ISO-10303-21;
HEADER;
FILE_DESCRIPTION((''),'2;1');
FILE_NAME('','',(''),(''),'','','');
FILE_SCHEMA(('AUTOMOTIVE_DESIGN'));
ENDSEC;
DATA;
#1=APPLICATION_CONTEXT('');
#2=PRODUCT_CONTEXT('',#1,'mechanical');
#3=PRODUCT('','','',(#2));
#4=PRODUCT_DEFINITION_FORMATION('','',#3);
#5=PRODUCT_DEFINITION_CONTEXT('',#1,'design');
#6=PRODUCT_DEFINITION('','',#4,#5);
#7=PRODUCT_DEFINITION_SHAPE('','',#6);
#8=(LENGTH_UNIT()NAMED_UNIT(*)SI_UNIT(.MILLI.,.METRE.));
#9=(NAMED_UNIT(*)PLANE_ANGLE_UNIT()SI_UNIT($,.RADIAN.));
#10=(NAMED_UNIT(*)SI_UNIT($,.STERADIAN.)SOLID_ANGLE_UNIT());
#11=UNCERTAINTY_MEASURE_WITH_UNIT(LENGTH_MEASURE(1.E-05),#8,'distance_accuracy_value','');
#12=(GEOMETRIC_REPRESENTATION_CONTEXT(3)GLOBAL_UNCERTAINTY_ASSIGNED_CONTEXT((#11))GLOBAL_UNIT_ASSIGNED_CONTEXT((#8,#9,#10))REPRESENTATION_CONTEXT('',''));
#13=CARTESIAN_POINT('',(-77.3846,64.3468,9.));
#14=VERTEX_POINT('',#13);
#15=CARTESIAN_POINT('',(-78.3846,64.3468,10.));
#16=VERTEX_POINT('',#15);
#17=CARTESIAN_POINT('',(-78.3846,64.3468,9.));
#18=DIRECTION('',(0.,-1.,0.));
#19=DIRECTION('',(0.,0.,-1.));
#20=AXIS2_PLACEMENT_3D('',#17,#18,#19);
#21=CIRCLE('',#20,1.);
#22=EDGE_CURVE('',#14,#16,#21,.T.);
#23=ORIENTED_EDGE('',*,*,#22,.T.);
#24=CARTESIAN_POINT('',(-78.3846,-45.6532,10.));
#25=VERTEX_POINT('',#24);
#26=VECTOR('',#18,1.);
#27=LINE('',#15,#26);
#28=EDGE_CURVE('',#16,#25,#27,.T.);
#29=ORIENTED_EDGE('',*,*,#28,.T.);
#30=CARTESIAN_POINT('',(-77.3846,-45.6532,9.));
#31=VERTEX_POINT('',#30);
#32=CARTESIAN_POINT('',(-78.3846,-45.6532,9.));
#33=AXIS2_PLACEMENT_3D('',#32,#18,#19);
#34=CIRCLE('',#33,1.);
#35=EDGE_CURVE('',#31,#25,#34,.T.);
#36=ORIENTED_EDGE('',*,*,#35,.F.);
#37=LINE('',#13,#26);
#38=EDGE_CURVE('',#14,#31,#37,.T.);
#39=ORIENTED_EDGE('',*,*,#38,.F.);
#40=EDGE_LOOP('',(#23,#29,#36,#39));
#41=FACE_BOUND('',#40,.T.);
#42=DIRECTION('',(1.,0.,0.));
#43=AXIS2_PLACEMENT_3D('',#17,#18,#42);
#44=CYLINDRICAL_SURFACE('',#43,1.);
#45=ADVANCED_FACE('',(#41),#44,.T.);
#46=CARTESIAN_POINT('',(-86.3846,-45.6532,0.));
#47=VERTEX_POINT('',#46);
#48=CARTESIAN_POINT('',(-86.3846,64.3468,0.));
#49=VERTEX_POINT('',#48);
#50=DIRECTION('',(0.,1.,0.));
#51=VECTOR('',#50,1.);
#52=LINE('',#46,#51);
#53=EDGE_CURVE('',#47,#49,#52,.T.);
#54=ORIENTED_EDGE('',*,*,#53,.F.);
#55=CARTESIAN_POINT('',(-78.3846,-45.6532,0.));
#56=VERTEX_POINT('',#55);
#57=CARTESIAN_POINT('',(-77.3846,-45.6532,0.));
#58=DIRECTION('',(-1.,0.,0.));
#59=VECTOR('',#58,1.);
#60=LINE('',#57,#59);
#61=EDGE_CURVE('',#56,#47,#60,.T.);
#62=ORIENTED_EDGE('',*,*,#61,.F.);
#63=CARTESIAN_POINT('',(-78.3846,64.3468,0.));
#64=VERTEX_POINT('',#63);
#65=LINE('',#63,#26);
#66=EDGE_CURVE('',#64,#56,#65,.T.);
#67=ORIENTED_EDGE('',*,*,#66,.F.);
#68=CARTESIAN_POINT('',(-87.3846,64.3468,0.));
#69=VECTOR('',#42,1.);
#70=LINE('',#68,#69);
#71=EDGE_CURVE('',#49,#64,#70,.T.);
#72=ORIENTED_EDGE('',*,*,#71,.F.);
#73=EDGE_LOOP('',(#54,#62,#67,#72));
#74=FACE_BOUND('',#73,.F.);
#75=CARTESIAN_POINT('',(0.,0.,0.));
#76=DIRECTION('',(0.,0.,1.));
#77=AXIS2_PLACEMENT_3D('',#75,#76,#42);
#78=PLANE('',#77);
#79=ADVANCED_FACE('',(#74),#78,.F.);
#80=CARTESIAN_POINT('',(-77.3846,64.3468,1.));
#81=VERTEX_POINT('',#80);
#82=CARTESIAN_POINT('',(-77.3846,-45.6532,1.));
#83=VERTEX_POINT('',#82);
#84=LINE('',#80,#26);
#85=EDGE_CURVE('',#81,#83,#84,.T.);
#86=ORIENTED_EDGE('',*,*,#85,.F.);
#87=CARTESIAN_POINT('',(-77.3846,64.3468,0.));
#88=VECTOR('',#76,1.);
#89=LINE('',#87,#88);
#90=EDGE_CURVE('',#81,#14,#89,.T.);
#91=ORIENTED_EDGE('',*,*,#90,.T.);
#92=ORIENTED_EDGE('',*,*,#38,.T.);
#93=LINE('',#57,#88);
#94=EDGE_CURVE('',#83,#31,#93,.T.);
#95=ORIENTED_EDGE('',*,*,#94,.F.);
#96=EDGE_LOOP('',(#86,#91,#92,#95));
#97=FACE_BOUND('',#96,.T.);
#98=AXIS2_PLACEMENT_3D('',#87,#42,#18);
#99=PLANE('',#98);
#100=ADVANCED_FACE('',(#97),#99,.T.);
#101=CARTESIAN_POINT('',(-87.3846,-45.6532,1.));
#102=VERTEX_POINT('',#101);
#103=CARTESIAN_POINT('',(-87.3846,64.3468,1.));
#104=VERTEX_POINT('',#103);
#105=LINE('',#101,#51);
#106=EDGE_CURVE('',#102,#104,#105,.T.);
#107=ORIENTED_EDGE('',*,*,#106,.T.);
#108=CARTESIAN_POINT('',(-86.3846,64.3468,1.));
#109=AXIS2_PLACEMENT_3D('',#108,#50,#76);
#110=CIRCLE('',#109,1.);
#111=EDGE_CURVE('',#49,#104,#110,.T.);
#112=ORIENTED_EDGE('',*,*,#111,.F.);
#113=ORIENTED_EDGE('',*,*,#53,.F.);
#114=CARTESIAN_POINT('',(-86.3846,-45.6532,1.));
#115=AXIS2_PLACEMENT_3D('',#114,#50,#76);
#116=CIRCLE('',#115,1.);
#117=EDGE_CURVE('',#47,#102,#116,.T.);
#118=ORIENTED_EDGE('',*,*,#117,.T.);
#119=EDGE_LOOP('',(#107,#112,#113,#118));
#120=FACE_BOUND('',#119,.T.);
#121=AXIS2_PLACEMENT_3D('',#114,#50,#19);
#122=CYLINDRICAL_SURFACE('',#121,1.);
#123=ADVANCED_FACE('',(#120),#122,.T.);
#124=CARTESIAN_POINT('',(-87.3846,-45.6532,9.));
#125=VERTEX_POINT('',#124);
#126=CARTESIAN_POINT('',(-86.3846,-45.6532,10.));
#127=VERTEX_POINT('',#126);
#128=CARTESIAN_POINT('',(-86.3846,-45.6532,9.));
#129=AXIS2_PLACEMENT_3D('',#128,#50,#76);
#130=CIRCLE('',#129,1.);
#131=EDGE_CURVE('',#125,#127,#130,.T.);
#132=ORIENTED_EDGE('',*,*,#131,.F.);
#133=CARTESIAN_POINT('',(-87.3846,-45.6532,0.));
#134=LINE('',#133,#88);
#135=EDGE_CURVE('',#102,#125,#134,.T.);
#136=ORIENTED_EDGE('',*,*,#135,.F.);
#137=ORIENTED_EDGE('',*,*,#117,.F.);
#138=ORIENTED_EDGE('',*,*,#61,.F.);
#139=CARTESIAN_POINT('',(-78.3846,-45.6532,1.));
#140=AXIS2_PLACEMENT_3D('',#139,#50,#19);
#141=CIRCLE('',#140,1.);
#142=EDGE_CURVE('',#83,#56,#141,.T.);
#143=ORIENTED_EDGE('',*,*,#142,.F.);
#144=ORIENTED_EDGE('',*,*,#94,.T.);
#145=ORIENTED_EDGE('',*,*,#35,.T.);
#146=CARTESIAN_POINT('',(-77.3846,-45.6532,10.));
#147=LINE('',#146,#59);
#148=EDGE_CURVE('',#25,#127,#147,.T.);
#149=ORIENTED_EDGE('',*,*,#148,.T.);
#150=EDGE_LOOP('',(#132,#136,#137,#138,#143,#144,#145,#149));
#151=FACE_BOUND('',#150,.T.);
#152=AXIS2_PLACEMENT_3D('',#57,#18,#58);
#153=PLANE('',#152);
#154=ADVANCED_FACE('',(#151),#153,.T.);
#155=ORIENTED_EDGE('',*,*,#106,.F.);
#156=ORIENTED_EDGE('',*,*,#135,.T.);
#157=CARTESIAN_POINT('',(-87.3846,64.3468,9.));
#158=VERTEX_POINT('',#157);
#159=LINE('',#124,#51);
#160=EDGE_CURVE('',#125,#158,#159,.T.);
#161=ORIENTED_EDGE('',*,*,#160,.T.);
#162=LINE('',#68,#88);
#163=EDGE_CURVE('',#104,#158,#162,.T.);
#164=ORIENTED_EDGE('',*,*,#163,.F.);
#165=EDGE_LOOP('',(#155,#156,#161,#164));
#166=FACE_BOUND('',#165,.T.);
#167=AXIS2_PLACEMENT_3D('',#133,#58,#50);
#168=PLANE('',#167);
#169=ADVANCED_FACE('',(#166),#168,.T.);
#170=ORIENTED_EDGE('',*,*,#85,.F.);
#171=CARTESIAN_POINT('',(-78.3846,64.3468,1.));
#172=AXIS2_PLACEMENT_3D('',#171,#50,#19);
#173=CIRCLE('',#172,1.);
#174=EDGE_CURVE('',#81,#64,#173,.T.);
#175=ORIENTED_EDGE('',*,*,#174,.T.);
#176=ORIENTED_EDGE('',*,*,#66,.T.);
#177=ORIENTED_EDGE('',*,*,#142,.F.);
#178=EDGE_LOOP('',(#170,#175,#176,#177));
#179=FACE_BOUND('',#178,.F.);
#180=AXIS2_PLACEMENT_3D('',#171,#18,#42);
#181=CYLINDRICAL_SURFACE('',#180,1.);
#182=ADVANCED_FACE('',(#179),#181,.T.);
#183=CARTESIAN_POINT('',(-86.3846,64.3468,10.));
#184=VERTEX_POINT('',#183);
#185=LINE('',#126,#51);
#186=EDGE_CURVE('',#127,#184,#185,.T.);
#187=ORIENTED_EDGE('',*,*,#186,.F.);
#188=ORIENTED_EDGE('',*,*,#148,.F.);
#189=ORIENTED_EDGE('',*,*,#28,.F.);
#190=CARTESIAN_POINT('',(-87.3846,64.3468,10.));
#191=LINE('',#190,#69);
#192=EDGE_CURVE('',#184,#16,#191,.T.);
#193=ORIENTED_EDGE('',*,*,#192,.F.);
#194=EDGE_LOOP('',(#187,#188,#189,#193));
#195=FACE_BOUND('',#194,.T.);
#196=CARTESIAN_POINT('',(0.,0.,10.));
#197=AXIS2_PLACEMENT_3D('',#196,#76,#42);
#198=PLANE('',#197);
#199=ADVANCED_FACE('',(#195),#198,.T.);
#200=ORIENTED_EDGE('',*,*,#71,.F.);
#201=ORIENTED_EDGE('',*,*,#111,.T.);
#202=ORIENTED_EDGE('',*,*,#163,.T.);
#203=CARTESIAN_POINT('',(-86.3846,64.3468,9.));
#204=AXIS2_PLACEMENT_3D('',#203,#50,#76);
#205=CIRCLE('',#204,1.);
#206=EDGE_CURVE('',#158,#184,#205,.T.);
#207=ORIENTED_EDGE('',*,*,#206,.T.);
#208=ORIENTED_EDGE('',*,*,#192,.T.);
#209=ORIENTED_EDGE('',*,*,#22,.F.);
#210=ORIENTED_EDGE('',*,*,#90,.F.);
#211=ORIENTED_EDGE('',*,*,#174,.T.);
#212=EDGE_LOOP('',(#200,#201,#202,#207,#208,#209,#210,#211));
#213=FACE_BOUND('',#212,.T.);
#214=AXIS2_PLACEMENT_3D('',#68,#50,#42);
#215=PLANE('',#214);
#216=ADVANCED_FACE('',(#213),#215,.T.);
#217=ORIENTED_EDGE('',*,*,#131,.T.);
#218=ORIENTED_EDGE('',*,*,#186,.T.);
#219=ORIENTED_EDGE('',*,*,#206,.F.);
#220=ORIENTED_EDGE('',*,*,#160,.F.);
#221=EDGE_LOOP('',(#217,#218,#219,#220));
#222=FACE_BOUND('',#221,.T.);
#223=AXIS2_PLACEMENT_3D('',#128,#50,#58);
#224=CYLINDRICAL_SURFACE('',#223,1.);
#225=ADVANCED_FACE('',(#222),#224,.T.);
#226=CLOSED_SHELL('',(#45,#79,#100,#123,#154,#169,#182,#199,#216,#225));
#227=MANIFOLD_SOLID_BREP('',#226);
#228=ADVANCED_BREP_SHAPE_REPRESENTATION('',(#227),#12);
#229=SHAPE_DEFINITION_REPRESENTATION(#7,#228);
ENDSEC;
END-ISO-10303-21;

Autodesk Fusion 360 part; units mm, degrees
sketch "Sketch1" plane through (0, 0, 0) normal (0, 0, 1) x (1, 0, 0)
  line L0 (-67.3846, 64.3468) -> (-57.8846, 64.3468)
  line L1 (-57.8846, 64.3468) -> (-57.8846, -45.6532)
  line L2 (-57.8846, -45.6532) -> (-67.3846, -45.6532)
  line L3 (-67.3846, -45.6532) -> (-67.3846, 64.3468)
  line L4 (-38.3846, -45.6532) -> (-47.8846, -45.6532)
  line L5 (-38.3846, 64.3468) -> (-38.3846, -45.6532)
  line L6 (-47.8846, -45.6532) -> (-47.8846, 64.3468)
  line L7 (-47.8846, 64.3468) -> (-38.3846, 64.3468)
  line L8 (-18.8846, -45.6532) -> (-28.3846, -45.6532)
  line L9 (-18.8846, 64.3468) -> (-18.8846, -45.6532)
  line L10 (-28.3846, -45.6532) -> (-28.3846, 64.3468)
  line L11 (-28.3846, 64.3468) -> (-18.8846, 64.3468)
  line L12 (0.6154, -45.6532) -> (-8.8846, -45.6532)
  line L13 (0.6154, 64.3468) -> (0.6154, -45.6532)
  line L14 (-8.8846, -45.6532) -> (-8.8846, 64.3468)
  line L15 (-8.8846, 64.3468) -> (0.6154, 64.3468)
  line L16 (20.1154, -45.6532) -> (10.6154, -45.6532)
  line L17 (20.1154, 64.3468) -> (20.1154, -45.6532)
  line L18 (10.6154, -45.6532) -> (10.6154, 64.3468)
  line L19 (10.6154, 64.3468) -> (20.1154, 64.3468)
  line L20 (-77.3846, -45.6532) -> (-87.3846, -45.6532)
  line L21 (-77.3846, 64.3468) -> (-77.3846, -45.6532)
  line L22 (-87.3846, -45.6532) -> (-87.3846, 64.3468)
  line L23 (-87.3846, 64.3468) -> (-77.3846, 64.3468)
  line L24 (-97.3846, 74.3468) -> (30.6154, 74.3468)
  line L25 (30.6154, 74.3468) -> (30.6154, -55.6532)
  line L26 (30.6154, -55.6532) -> (-97.3846, -55.6532)
  line L27 (-97.3846, -55.6532) -> (-97.3846, 74.3468)
  dimension "d1" = 9.5
  dimension "d2" = 110
  dimension "d3" = 9.5
  dimension "d4" = 110
  dimension "d5" = 9.5
  dimension "d6" = 110
  dimension "d7" = 9.5
  dimension "d8" = 110
  dimension "d9" = 9.5
  dimension "d10" = 110
  dimension "d11" = 10
  dimension "d12" = 110
  dimension "d13" = 10
  dimension "d14" = 10
  dimension "d15" = 10
  dimension "d16" = 10
  dimension "d17" = 10
  dimension "d18" = 10
  dimension "d19" = 10
  dimension "d20" = 10
  dimension "d21" = 10
  dimension "d22" = 10
  dimension "d23" = 10
  dimension "d24" = 10
  dimension "d25" = 10
extrude "Extrude3" add sketch "Sketch1" along normal blind 10 contours L20 L21 L22 L23
fillet "Fillet3" radius 1 2 edges at (-77.3846, 9.3468, 10) (-87.3846, 9.3468, 10)
fillet "Fillet4" radius 1 2 edges at (-77.3846, 9.3468, 0) (-87.3846, 9.3468, 0)
